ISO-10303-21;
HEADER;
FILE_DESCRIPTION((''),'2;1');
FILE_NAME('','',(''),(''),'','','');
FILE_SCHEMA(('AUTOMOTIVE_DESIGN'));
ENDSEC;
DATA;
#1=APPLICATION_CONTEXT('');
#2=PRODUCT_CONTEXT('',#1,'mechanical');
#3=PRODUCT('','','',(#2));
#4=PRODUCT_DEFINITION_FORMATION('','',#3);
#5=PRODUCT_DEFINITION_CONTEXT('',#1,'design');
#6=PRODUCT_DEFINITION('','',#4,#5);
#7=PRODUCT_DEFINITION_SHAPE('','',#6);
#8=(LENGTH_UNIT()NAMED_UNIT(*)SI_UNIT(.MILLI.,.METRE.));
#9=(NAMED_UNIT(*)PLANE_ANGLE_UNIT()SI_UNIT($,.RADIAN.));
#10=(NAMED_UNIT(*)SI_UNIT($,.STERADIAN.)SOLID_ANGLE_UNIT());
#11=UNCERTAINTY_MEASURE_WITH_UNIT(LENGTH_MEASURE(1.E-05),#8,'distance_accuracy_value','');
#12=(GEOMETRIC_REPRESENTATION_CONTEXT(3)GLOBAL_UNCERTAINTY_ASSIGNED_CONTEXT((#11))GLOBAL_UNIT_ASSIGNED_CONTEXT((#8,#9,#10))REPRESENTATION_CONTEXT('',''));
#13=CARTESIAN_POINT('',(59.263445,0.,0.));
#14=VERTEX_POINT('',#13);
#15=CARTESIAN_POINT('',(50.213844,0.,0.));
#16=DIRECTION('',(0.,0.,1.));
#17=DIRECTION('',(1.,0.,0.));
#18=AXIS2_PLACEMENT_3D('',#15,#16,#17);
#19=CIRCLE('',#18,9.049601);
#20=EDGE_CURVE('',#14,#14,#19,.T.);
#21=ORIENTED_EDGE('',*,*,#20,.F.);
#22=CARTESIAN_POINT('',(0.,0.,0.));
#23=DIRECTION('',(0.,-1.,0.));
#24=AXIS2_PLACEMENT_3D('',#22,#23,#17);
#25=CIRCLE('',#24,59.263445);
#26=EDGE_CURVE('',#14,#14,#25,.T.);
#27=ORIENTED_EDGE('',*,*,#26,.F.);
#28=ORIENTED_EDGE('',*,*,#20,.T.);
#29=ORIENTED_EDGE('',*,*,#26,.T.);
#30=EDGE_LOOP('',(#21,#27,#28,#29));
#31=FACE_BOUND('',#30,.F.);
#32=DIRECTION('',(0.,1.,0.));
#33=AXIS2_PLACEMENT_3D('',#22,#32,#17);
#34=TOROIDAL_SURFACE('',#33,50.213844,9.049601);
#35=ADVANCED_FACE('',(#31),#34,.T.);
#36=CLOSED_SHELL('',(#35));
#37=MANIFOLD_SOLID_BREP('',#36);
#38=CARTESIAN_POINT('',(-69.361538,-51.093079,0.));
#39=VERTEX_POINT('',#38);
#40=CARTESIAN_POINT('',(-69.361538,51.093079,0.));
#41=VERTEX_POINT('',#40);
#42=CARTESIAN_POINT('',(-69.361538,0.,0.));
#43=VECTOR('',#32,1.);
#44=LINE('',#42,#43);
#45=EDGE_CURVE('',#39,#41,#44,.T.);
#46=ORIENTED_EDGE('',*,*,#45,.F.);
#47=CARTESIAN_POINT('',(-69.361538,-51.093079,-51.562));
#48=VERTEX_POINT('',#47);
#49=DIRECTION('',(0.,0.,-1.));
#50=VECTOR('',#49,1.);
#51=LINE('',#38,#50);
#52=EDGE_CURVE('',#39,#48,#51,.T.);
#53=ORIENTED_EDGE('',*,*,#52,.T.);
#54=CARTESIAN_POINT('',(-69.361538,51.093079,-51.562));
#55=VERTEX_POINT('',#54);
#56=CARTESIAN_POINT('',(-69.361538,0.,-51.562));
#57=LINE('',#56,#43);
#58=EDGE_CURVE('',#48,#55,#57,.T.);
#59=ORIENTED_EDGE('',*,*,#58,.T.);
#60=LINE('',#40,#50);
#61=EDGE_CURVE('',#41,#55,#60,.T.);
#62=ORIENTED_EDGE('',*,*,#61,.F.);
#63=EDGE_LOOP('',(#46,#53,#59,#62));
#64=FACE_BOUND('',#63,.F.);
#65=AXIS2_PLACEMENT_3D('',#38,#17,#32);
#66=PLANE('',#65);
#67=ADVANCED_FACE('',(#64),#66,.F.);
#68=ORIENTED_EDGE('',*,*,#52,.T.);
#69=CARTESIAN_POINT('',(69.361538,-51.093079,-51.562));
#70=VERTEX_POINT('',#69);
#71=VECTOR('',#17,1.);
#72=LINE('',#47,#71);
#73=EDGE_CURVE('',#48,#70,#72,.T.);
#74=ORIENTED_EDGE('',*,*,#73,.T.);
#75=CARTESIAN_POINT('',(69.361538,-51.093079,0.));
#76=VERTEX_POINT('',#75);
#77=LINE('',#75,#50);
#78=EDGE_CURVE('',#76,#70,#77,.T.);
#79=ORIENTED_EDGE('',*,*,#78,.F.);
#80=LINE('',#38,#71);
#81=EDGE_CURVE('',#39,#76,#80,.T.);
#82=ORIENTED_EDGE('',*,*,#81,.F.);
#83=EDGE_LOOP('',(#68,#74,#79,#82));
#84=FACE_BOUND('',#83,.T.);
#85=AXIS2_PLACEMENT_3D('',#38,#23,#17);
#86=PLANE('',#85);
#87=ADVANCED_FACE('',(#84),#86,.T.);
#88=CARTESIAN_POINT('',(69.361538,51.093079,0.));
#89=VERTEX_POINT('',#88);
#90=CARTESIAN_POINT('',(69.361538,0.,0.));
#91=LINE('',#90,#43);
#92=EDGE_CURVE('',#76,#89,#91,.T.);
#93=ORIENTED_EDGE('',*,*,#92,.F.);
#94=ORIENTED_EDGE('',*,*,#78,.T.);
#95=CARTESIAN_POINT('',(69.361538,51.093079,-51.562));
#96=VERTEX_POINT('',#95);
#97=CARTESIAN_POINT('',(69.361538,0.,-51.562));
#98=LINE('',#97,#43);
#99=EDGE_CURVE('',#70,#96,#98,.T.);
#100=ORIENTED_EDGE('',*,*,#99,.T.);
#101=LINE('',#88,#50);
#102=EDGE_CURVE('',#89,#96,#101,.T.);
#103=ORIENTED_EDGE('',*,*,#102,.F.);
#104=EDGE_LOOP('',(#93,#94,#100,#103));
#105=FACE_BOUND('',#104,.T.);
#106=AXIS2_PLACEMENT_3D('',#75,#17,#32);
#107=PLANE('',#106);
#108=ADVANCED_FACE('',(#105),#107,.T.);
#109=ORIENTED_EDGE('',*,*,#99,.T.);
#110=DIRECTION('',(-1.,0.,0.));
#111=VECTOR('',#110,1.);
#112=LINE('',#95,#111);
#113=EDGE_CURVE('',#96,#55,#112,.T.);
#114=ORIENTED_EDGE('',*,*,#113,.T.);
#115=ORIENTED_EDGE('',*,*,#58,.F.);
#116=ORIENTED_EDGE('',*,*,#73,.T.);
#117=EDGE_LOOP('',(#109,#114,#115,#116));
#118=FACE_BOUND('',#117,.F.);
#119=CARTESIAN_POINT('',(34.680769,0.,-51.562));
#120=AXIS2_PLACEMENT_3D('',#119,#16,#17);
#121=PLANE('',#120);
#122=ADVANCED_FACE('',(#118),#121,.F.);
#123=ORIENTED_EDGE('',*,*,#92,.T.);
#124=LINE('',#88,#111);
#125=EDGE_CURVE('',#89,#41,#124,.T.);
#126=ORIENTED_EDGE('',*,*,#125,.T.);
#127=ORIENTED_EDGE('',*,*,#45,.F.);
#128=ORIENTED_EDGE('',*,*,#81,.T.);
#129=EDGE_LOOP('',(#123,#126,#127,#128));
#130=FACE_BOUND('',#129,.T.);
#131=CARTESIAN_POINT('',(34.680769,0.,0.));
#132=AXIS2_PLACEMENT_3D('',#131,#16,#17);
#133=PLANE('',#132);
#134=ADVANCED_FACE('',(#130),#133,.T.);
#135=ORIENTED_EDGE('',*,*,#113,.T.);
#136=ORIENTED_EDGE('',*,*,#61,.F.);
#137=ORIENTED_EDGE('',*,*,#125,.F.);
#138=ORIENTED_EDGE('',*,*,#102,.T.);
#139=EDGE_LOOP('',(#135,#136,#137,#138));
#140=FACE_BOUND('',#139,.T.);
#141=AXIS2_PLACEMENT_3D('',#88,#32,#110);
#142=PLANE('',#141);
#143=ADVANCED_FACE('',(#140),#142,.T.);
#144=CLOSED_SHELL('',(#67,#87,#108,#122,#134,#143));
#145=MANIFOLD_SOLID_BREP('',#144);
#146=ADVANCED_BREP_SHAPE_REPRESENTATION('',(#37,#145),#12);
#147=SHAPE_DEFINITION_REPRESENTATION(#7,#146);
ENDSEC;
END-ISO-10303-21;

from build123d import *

# Parameters (mm, degrees)
F0_W     = 69.361538
F0_H     = 102.186158
F2_DEPTH = 51.562
F1_R     = 9.049601


with BuildPart() as f2:
    # F0 (on Top) → F2 (new body)
    with BuildSketch(Plane.XY):
        with Locations((34.680769, 0)):
            Rectangle(F0_W, F0_H)
        with Locations((-34.680769, 0)):
            Rectangle(F0_W, F0_H)
    extrude(amount=-F2_DEPTH)


with BuildPart() as f3:
    # F1 (on Top) → F3 (revolve)
    with BuildSketch(Plane.XY):
        with Locations((50.213844, 0)):
            Circle(F1_R)
    revolve(axis=Axis((0, 0, 0), (0, -1, 0)))


solid = Compound([f2.part, f3.part])
